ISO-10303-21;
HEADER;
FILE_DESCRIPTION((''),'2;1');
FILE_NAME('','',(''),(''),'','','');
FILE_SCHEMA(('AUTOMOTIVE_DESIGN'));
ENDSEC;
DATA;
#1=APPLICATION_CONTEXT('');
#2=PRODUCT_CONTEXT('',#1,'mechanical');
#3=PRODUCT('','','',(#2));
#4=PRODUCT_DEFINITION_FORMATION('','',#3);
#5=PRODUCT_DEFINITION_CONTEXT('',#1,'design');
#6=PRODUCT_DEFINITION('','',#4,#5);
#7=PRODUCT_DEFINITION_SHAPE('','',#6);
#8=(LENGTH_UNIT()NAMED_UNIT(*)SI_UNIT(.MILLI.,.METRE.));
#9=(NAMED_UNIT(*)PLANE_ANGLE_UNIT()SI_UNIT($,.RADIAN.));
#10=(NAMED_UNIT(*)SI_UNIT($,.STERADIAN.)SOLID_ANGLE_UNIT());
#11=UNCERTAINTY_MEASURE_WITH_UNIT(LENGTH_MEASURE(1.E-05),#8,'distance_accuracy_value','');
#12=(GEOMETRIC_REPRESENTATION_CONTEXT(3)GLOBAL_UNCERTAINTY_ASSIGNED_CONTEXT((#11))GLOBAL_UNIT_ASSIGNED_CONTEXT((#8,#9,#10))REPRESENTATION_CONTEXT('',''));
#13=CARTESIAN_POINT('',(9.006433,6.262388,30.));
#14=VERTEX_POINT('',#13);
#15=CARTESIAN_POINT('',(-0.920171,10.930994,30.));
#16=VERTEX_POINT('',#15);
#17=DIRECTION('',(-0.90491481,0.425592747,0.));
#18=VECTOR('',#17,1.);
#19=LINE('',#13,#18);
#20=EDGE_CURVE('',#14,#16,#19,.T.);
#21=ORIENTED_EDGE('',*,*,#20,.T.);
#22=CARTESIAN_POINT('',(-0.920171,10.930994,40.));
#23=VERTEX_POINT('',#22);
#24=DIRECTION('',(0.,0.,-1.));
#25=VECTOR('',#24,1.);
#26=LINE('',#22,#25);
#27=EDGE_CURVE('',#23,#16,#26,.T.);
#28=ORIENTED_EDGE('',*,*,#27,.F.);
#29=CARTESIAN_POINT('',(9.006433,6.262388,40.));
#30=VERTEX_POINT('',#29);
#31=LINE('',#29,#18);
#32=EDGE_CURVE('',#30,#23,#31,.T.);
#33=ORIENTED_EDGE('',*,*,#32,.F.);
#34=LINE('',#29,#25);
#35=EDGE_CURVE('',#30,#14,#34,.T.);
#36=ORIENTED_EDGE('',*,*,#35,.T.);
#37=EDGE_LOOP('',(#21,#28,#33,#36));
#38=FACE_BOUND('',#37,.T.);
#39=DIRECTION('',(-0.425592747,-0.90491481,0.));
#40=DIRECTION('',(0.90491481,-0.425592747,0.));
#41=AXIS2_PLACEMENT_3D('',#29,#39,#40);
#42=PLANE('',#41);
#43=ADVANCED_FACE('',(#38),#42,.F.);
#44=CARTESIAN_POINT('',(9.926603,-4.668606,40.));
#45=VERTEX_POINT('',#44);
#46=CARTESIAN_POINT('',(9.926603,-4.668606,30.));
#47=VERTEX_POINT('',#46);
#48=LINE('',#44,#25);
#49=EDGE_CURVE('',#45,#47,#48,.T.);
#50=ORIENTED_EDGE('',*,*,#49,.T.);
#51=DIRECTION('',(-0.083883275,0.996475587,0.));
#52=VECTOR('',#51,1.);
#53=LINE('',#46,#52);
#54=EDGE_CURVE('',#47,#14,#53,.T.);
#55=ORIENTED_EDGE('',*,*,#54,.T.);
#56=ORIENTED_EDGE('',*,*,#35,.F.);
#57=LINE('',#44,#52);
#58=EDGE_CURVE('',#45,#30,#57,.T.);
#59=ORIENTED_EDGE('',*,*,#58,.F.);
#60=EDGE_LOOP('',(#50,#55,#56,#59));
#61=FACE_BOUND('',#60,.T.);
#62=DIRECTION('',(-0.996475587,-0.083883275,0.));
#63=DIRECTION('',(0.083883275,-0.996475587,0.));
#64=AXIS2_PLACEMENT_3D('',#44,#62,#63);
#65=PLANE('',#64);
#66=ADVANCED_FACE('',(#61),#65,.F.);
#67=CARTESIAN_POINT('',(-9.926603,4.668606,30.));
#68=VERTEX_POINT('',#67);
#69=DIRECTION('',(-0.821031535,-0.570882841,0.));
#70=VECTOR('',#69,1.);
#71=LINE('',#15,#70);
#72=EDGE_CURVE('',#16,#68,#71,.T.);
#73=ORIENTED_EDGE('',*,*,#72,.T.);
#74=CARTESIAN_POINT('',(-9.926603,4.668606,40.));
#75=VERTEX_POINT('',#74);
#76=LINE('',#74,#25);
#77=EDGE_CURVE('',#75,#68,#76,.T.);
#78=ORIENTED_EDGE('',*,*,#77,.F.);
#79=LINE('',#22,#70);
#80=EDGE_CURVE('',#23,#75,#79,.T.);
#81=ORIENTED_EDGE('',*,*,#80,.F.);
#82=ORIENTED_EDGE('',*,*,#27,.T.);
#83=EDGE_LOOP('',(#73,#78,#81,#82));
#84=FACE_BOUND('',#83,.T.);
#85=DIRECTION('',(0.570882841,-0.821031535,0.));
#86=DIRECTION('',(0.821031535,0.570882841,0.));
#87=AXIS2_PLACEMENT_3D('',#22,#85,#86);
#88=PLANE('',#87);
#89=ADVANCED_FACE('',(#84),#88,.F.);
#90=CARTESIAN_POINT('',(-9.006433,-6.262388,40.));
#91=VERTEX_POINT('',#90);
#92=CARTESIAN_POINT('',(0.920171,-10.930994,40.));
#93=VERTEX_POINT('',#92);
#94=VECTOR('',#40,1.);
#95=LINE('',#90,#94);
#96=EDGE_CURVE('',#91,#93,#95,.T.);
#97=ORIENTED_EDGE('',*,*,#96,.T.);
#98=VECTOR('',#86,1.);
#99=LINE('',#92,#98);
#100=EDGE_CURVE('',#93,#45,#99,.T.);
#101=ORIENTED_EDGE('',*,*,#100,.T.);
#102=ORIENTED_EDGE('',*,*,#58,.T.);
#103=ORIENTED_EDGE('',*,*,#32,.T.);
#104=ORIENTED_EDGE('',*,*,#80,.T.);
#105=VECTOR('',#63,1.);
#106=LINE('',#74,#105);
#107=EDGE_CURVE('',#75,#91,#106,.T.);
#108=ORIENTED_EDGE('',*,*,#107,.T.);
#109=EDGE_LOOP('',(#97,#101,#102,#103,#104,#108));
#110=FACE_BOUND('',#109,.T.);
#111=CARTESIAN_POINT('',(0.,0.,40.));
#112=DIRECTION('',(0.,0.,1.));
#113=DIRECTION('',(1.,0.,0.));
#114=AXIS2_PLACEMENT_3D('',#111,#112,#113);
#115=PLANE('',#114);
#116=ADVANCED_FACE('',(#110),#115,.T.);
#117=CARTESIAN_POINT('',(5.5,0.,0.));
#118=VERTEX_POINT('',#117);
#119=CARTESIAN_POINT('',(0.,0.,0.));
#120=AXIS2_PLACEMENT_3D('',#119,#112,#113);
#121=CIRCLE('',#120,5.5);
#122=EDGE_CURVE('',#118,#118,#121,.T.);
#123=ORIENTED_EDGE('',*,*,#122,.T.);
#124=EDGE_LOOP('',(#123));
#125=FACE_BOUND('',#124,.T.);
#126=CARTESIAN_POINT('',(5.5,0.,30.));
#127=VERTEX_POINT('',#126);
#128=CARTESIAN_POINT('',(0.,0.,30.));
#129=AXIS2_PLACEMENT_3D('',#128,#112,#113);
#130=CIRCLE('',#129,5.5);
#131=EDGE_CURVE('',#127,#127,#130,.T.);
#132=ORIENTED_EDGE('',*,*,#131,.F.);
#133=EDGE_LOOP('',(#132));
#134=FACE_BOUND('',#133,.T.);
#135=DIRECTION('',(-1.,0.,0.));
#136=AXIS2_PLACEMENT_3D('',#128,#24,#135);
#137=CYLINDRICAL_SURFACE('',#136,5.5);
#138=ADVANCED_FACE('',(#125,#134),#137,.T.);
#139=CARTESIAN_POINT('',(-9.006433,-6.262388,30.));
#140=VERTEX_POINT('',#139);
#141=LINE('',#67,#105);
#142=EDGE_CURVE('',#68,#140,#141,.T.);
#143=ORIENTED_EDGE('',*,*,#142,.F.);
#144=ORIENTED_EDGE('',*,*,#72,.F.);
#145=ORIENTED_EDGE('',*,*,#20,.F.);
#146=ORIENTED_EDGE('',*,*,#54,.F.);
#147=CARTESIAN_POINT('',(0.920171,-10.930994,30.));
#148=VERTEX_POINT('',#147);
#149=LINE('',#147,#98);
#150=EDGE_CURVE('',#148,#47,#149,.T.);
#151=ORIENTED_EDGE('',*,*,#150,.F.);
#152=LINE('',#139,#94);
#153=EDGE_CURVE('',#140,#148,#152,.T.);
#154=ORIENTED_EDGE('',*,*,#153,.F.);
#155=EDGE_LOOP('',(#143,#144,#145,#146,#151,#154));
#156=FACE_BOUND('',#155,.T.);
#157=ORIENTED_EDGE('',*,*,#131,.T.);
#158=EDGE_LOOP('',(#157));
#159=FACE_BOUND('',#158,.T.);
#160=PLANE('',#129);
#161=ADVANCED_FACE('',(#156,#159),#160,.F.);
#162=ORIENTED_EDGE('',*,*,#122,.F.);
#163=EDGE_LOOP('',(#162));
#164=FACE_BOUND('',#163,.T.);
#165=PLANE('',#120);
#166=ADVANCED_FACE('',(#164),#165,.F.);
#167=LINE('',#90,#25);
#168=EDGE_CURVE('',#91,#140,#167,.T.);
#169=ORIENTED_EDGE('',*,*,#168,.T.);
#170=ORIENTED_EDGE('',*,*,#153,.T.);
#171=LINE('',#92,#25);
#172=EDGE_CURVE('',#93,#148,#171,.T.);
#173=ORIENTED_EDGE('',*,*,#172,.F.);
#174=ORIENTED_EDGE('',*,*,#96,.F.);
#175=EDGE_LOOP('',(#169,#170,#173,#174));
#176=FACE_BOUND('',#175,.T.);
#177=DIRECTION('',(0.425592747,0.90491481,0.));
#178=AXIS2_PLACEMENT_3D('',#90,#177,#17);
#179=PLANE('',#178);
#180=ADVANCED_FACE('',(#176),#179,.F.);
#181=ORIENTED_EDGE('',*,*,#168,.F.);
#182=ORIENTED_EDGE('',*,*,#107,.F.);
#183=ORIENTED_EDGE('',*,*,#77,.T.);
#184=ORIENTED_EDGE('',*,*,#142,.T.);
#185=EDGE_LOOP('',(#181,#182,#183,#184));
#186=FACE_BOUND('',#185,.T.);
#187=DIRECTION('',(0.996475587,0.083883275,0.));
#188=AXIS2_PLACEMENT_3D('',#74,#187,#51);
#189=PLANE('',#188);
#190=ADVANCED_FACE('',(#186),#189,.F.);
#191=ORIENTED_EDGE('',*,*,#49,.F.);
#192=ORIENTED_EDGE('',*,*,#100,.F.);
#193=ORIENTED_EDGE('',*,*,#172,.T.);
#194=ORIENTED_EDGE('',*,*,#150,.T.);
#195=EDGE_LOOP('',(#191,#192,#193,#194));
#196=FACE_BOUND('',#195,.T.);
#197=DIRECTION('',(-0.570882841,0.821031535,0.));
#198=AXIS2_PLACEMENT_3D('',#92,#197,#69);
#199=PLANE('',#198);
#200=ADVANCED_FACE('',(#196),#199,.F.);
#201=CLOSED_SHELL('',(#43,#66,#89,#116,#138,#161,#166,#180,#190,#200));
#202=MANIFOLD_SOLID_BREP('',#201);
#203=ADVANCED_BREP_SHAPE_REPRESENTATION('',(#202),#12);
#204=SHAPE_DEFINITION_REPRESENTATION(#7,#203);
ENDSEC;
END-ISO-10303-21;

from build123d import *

# Parameters (mm, degrees)
SKETCH_1_R      = 5.5
EXTRUDE_1_DEPTH = 30
EXTRUDE_2_DEPTH = 10


with BuildPart() as part:
    # Эскиз1 → Бобышка-Вытянуть1 (new body)
    with BuildSketch(Plane.XY):
        Circle(SKETCH_1_R)
    extrude(amount=EXTRUDE_1_DEPTH)

    # Эскиз2 → Бобышка-Вытянуть2 (add)
    with BuildSketch(Plane.XY.offset(30)):
        Polygon((-9.926603377, 4.668605651), (-9.006432783, -6.262387873), (0.920170595, -10.930993523), (9.926603377, -4.668605651), (9.006432783, 6.262387873), (-0.920170595, 10.930993523), align=None)
    extrude(amount=EXTRUDE_2_DEPTH)


solid = part.part
